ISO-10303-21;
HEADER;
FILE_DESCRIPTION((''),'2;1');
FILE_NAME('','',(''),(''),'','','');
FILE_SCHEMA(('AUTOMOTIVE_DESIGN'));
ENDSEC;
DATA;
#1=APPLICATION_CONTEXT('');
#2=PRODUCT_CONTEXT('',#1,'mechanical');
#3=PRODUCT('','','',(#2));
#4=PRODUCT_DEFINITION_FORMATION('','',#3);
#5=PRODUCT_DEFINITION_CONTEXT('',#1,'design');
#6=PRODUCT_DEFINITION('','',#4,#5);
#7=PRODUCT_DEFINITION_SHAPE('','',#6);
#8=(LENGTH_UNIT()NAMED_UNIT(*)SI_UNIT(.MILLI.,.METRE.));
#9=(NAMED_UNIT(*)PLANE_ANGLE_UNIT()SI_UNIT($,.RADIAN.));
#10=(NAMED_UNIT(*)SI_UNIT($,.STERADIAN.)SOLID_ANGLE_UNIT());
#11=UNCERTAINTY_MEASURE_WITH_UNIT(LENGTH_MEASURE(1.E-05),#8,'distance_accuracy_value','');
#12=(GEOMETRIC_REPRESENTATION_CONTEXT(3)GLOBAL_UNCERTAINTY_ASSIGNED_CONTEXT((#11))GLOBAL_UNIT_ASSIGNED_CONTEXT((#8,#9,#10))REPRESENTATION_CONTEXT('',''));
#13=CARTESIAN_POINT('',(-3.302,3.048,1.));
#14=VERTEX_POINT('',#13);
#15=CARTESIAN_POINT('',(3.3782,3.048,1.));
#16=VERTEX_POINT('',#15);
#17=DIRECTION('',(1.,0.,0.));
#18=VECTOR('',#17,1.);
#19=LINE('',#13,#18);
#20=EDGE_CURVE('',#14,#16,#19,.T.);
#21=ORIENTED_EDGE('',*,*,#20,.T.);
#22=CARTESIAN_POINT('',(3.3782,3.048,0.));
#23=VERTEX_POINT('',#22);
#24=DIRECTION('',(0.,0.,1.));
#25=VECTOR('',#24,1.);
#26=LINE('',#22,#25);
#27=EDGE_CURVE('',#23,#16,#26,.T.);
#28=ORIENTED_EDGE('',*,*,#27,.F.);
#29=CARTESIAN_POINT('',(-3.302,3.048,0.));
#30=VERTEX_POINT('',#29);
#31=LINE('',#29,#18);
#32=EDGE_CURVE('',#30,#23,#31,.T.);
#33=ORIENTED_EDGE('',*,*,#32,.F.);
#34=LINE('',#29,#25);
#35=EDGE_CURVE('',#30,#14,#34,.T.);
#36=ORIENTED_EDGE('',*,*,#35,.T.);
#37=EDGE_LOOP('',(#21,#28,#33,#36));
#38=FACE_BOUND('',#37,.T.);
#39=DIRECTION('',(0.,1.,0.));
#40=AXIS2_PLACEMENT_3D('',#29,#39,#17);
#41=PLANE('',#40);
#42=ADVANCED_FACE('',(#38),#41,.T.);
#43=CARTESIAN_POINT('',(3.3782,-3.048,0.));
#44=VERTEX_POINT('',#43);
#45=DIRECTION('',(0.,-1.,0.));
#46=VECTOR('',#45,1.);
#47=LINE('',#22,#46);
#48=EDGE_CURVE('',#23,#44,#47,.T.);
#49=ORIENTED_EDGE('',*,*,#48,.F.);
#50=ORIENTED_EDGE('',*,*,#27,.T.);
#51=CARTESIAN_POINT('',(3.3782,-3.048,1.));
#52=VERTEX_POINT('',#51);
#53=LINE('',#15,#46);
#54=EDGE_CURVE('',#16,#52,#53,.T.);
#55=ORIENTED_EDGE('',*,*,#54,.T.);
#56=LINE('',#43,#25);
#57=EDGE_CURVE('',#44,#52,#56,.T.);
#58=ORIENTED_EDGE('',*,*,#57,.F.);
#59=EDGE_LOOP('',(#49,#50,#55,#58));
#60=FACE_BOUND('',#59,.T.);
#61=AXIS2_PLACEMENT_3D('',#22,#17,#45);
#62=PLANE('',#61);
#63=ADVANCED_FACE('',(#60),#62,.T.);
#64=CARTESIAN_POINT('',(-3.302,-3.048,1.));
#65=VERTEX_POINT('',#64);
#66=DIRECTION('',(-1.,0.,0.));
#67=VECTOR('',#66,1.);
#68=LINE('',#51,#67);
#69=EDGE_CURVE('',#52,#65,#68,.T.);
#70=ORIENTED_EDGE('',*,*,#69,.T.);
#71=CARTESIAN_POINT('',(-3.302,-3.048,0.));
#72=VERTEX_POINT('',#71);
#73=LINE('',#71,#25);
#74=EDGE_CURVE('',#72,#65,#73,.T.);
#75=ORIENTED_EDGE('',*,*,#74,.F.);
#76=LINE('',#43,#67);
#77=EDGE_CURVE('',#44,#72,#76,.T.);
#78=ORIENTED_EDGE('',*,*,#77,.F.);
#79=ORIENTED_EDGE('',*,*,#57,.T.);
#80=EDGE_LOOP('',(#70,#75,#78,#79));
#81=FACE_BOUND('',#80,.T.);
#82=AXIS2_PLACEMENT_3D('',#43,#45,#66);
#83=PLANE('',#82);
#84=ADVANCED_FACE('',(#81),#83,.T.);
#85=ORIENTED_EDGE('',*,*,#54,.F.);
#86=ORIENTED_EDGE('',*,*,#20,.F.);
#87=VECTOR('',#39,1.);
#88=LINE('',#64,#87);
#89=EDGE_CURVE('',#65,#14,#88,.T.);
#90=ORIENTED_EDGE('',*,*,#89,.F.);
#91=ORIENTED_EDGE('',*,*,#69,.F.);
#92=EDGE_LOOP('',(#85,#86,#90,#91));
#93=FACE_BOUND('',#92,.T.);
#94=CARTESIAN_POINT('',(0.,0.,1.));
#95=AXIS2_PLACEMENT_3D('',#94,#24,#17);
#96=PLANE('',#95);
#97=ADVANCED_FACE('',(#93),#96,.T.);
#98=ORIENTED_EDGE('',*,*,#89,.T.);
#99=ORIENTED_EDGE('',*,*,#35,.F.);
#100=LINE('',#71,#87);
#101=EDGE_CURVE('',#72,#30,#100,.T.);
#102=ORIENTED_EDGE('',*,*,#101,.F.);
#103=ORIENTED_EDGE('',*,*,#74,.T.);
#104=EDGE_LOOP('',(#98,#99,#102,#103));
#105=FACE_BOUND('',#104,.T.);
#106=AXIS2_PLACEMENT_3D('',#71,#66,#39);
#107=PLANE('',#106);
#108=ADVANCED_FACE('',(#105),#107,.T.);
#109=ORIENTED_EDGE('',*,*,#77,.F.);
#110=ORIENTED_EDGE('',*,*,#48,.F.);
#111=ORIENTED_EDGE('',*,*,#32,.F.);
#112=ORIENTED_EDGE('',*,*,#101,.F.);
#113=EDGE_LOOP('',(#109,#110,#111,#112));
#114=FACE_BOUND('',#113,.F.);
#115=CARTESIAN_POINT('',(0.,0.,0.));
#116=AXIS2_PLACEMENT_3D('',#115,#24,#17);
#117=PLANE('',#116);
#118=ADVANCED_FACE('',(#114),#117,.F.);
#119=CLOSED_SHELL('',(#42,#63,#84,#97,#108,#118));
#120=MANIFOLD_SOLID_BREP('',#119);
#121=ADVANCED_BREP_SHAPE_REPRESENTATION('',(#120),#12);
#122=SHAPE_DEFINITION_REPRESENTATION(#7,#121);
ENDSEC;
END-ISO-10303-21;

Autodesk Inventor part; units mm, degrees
ref_plane "YZ Plane" through (0, 0, 0) normal (1, 0, 0) x (0, 1, 0)
ref_plane "XZ Plane" through (0, 0, 0) normal (0, 1, 0) x (-1, 0, 0)
ref_plane "XY Plane" through (0, 0, 0) normal (0, 0, 1) x (1, 0, 0)
sketch "B3F-10XX, SW-PF0_B3F-10XX_64" plane through (0, 0, 0) normal (0, 0, 1) x (1, 0, 0)
  line L0 (-3.302, 3.048) -> (3.3782, 3.048)
  line L1 (3.3782, 3.048) -> (3.3782, -3.048)
  line L2 (3.3782, -3.048) -> (-3.302, -3.048)
  line L3 (-3.302, -3.048) -> (-3.302, 3.048)
extrude "Extrusion1" add sketch "B3F-10XX, SW-PF0_B3F-10XX_64" along normal blind 1
properties part number "SW-PF0_B3F-10XX"
